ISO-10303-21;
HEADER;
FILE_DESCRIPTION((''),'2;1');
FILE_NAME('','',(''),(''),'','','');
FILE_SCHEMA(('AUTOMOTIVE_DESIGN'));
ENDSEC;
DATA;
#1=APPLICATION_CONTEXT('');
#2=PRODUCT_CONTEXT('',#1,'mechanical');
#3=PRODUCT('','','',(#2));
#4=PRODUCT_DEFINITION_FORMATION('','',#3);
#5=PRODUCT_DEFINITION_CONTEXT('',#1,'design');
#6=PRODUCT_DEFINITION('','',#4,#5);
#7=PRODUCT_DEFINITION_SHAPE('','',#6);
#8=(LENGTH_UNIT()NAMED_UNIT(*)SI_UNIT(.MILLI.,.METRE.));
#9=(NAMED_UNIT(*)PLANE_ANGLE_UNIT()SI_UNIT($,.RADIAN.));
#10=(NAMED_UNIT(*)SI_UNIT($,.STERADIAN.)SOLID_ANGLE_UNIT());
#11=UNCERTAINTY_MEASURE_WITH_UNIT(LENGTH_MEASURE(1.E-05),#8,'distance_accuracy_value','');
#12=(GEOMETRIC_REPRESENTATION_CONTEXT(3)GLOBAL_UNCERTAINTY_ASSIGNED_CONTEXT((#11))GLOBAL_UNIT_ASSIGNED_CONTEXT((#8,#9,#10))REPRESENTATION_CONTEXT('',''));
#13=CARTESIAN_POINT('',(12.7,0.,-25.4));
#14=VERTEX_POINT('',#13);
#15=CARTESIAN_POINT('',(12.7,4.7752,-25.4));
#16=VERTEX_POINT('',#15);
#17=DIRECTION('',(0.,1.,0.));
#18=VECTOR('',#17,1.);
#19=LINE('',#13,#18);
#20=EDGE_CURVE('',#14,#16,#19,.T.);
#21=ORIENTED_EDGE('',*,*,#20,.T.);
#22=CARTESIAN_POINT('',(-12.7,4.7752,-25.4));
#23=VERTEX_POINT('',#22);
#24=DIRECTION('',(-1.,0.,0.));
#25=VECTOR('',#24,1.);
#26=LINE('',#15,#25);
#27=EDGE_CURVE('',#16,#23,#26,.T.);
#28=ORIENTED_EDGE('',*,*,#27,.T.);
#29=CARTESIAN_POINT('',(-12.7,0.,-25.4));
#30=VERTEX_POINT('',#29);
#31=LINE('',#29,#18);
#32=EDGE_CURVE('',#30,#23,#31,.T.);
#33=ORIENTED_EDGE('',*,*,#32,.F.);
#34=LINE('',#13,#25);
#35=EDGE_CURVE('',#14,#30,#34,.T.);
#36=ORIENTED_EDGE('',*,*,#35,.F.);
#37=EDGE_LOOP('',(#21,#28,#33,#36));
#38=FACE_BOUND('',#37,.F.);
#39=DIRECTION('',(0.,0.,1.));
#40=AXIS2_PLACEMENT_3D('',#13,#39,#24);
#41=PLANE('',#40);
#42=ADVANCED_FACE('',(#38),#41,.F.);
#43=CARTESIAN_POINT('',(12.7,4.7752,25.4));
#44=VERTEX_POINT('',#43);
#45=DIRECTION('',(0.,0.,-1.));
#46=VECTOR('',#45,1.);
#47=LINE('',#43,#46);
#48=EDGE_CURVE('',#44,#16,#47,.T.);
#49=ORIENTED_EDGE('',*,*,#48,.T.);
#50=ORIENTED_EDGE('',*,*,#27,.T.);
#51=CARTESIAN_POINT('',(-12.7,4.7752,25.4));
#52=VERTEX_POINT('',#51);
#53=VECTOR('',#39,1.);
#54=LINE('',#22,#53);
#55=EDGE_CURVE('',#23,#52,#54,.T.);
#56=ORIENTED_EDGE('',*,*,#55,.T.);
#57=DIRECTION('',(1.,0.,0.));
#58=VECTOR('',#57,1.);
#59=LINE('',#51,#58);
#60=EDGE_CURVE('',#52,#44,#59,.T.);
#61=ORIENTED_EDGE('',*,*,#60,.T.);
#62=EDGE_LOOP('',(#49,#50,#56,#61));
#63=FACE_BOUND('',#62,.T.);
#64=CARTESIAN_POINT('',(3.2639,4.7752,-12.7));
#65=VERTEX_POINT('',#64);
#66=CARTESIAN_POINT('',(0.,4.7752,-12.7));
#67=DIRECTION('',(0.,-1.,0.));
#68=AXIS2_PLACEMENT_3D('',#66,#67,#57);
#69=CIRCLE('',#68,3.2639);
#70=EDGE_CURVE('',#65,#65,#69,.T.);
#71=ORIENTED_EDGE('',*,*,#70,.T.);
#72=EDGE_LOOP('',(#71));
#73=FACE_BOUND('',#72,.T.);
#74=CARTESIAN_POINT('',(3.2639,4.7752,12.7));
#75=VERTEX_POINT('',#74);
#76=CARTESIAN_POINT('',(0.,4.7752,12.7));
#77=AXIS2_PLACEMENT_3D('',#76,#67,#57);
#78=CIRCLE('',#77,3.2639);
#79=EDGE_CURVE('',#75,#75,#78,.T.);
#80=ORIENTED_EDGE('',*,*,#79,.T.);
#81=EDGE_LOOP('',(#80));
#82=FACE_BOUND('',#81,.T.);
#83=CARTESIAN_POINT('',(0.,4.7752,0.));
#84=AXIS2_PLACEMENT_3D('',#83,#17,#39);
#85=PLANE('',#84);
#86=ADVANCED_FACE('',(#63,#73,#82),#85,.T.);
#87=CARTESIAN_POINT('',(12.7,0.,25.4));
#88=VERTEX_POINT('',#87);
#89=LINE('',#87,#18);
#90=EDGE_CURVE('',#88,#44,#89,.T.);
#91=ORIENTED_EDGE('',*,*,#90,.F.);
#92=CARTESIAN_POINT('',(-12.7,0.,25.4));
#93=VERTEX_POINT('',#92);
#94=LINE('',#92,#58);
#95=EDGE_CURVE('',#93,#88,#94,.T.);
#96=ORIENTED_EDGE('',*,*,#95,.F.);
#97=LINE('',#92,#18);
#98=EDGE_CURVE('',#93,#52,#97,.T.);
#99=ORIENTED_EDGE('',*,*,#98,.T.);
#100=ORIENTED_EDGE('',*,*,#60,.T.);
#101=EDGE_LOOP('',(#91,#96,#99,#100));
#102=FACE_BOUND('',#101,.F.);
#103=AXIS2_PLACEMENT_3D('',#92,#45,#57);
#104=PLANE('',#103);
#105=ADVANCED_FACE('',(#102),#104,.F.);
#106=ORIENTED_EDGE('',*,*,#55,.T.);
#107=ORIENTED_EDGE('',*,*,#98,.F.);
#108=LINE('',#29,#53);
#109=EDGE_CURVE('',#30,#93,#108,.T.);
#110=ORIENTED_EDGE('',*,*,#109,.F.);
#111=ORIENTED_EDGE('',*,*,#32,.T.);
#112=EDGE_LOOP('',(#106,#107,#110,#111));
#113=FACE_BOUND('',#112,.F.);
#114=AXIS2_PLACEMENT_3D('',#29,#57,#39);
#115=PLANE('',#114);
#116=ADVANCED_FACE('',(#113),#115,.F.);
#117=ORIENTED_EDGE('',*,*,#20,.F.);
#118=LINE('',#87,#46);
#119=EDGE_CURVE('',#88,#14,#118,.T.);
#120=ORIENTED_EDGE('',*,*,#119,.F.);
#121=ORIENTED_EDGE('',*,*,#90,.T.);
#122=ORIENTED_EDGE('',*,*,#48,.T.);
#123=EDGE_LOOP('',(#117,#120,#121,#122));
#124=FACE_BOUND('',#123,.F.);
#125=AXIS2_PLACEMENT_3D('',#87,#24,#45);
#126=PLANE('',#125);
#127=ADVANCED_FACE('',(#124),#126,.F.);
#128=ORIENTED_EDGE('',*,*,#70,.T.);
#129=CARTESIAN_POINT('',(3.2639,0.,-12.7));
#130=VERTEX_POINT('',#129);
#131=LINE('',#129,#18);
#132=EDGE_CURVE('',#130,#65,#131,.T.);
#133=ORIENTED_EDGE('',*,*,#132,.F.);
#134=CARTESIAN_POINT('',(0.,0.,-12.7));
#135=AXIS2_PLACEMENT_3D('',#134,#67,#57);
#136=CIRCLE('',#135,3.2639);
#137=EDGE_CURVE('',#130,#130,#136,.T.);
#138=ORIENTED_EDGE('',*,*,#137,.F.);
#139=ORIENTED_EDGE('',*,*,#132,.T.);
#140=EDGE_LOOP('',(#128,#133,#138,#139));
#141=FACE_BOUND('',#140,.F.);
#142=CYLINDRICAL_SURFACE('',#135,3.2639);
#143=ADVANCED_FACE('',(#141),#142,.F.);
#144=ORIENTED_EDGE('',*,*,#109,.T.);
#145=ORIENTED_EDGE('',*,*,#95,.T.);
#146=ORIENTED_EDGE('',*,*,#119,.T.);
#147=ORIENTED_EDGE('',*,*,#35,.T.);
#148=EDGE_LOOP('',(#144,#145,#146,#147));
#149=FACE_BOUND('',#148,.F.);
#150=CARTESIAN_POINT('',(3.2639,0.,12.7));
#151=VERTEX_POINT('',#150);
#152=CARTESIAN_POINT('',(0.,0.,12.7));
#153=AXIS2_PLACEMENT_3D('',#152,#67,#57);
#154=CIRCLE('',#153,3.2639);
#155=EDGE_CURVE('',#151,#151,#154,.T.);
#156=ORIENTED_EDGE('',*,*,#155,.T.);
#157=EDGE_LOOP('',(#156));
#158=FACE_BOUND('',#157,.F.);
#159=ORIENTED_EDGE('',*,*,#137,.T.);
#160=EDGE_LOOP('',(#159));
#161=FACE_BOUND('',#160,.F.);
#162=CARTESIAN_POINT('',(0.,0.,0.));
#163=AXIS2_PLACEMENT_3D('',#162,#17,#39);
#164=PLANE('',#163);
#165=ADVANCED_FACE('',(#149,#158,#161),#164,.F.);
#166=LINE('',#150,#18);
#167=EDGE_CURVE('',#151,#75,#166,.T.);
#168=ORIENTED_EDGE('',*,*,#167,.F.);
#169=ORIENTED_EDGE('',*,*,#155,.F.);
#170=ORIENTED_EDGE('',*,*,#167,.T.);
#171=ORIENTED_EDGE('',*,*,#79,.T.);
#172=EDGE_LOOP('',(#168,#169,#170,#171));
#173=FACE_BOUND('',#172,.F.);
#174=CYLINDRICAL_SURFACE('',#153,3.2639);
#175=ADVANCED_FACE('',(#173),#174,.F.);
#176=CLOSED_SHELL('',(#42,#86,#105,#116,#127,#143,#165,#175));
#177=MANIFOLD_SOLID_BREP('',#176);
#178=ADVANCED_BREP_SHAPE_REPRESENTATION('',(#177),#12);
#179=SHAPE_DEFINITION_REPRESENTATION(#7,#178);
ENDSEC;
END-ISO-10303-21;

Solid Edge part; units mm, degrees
sketch "Sketch1" plane through (0, 0, 0) normal (0, -1, 0) x (1, 0, 0)
  line L0 (12.7, 25.4) -> (12.7, -25.4)
  line L1 (12.7, -25.4) -> (-12.7, -25.4)
  line L2 (-12.7, -25.4) -> (-12.7, 25.4)
  line L3 (-12.7, 25.4) -> (12.7, 25.4)
  circle A0 centre (0, 12.7) radius 3.2639
  circle A1 centre (0, -12.7) radius 3.2639
  dimension "D1" = 50.8
  dimension "D2" = 25.4
  dimension "D3" = 6.5278
  dimension "D4" = 25.4
  dimension "D5" = 12.7
extrude "Protrusion1" add sketch "Sketch1" against normal blind 4.7752
